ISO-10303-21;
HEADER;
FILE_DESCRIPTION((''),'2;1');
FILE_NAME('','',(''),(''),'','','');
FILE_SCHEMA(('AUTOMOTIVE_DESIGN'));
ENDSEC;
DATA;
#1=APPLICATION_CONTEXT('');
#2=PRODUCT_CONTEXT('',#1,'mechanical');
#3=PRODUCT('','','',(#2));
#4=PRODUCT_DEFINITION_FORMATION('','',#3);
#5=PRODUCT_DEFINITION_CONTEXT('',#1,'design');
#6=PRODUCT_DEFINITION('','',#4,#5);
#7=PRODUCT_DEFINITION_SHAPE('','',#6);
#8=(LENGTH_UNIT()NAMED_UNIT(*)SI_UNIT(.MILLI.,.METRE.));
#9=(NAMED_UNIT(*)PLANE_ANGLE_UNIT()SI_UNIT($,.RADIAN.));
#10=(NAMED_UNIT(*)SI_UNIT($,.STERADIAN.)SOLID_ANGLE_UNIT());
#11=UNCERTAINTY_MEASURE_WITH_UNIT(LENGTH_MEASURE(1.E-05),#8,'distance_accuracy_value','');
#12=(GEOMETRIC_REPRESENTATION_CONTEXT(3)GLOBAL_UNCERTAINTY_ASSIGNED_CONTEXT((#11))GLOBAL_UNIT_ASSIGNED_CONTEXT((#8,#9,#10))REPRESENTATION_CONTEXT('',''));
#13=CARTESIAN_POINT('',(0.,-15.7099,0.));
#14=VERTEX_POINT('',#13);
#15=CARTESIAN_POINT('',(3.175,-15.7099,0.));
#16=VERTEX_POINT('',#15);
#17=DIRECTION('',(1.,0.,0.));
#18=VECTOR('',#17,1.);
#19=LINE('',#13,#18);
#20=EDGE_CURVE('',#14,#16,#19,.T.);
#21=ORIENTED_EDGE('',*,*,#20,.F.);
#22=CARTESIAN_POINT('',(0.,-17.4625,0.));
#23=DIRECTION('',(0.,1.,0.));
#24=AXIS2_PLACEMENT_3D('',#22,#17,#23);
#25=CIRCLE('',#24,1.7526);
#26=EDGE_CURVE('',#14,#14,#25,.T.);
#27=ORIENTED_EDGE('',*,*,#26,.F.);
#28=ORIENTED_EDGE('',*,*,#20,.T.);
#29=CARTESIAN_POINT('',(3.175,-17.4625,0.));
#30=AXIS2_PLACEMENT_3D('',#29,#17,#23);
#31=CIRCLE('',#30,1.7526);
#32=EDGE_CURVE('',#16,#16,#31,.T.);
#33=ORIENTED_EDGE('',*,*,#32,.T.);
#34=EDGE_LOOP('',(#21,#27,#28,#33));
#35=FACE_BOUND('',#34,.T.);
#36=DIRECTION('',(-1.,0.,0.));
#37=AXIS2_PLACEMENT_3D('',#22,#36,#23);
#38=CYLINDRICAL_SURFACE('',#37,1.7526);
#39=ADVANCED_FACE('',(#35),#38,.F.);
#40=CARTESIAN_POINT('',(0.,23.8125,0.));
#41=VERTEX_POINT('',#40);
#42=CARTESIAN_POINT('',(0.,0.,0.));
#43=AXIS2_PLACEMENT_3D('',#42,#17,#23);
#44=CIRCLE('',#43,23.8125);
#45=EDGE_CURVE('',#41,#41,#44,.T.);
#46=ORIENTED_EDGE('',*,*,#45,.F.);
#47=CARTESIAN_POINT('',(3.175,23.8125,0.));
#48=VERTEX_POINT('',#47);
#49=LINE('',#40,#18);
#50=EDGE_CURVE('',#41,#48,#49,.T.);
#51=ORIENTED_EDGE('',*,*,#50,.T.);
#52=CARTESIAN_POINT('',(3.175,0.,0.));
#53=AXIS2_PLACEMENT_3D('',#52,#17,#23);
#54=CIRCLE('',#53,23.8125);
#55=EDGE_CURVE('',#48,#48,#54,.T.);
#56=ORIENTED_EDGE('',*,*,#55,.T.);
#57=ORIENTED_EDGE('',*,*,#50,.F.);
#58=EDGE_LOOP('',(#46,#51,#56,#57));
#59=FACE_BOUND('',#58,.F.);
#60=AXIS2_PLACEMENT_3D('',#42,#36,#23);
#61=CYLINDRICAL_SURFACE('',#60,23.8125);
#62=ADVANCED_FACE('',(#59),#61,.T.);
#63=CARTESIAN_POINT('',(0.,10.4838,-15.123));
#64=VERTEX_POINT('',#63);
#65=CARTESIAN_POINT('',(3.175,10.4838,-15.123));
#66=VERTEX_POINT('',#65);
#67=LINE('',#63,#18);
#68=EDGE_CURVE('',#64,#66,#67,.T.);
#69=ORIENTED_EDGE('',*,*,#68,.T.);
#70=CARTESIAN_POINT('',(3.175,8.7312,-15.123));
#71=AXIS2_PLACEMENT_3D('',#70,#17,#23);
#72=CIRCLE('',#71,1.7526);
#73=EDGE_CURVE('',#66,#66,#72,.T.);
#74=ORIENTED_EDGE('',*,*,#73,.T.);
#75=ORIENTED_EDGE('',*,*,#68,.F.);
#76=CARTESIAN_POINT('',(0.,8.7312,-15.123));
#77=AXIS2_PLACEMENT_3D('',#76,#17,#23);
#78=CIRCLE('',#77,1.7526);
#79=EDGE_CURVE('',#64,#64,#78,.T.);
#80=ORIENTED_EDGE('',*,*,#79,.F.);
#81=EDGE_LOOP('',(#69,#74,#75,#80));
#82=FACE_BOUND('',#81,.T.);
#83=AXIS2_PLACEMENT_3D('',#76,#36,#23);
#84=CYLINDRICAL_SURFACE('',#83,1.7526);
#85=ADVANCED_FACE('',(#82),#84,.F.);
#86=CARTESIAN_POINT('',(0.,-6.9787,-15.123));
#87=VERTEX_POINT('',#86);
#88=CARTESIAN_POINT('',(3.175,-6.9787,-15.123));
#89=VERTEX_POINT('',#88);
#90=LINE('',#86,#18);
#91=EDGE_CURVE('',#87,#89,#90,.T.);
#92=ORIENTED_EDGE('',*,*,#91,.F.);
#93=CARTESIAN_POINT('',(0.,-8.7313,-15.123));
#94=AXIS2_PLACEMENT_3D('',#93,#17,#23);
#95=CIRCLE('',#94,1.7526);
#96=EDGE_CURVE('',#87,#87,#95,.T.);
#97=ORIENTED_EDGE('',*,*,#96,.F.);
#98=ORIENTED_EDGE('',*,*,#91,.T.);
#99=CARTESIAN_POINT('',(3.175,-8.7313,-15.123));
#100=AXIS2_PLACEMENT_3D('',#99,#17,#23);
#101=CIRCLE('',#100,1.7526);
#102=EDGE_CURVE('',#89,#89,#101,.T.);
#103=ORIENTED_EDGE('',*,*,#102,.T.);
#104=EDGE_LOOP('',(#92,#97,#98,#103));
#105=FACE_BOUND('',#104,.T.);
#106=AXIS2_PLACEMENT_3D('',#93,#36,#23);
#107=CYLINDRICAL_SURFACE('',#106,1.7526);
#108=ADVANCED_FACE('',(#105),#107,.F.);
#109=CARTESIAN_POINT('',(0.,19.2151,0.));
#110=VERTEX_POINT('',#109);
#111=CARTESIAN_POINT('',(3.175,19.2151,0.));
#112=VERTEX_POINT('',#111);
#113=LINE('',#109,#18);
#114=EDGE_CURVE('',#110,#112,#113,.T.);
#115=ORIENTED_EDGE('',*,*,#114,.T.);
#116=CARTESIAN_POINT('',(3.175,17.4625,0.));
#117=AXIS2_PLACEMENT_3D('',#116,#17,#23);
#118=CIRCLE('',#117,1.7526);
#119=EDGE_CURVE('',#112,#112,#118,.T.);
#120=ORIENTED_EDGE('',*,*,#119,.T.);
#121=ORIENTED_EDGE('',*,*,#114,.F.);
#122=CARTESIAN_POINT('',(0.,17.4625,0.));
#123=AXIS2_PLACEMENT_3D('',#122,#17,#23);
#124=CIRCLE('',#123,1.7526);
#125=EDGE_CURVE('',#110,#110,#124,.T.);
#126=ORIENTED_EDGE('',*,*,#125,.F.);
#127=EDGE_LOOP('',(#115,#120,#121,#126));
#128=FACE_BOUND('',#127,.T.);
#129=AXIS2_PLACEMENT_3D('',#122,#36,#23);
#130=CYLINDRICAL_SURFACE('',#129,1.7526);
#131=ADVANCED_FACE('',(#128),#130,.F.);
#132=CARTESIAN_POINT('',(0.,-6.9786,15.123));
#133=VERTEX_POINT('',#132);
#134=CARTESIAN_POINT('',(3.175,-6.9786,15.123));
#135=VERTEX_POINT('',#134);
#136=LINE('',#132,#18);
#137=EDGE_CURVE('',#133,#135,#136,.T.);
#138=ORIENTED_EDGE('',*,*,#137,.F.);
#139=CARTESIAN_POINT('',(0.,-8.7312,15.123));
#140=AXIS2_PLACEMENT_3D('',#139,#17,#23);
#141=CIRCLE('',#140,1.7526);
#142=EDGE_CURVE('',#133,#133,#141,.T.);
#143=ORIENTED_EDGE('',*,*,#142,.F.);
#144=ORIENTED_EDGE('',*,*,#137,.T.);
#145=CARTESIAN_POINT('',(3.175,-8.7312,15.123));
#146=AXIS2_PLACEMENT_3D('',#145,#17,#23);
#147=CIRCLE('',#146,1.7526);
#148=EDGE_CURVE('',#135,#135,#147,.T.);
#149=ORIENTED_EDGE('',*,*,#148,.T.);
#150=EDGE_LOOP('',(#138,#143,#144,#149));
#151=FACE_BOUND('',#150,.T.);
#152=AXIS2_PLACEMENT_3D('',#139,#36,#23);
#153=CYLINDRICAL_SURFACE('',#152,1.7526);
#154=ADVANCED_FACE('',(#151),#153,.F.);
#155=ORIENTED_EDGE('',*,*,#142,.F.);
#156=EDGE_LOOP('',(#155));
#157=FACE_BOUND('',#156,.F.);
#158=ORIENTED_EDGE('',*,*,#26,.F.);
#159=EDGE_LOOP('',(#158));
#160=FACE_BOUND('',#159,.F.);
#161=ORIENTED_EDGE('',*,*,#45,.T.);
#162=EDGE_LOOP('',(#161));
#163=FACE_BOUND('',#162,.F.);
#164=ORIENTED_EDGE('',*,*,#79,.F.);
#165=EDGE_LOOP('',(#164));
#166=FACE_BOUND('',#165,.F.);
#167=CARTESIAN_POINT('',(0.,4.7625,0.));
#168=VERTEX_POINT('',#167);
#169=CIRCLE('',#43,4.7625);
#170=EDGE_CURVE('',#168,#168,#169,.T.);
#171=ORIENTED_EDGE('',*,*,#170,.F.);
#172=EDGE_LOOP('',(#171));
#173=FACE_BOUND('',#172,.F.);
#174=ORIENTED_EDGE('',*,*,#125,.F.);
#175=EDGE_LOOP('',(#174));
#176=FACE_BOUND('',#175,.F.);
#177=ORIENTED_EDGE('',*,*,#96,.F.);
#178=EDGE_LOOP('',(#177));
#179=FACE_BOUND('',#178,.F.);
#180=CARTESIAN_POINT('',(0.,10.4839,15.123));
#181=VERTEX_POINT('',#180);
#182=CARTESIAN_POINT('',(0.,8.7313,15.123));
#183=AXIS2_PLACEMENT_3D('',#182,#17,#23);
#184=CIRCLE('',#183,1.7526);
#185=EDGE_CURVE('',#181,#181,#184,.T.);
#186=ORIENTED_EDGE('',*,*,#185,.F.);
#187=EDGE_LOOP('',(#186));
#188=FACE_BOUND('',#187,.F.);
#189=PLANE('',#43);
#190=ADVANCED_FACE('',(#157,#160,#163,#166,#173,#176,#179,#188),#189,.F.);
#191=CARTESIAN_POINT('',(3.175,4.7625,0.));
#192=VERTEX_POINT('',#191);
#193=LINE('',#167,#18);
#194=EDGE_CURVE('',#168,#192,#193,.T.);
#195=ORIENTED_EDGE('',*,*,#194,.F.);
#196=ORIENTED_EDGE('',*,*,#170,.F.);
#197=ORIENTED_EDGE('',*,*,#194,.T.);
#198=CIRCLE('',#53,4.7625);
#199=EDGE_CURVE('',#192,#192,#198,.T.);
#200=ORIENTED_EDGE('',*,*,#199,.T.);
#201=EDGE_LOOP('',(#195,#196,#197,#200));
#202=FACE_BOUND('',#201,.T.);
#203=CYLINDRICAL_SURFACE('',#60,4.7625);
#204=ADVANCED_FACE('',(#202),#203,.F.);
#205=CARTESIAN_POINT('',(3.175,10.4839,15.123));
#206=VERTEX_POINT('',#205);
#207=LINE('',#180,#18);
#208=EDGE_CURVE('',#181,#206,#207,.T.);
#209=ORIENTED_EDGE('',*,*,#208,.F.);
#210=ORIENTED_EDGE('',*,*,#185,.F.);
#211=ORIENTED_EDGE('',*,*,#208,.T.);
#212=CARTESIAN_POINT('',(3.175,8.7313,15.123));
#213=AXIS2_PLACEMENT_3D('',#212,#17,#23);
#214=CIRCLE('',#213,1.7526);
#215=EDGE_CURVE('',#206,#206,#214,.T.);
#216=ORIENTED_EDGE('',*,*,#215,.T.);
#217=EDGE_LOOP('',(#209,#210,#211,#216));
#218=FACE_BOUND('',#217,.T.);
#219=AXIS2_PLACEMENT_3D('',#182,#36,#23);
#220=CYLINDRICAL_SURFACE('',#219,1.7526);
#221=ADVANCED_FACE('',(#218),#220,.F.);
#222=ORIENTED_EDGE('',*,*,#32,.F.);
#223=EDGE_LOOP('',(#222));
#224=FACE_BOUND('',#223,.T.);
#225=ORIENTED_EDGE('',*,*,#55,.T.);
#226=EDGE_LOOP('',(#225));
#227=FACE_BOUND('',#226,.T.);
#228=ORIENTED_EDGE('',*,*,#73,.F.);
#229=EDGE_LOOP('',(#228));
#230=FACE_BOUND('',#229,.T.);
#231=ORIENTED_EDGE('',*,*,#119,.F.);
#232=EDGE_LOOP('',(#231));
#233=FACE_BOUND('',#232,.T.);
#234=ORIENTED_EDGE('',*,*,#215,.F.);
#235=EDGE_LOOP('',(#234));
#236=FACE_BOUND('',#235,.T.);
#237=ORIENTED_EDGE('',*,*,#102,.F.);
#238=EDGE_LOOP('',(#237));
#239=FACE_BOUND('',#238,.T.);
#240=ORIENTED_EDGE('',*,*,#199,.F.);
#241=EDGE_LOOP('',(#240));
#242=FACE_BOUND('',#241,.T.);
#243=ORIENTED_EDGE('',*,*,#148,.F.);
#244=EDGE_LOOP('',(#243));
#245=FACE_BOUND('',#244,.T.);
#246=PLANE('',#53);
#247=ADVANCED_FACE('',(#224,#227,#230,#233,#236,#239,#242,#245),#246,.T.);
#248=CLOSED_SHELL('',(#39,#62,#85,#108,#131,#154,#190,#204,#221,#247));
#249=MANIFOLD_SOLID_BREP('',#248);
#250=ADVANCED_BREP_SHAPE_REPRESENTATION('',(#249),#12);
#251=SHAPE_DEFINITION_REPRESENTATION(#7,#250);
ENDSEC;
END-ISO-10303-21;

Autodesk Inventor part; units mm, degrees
ref_plane "YZ Plane" through (0, 0, 0) normal (1, 0, 0) x (0, 1, 0)
ref_plane "XZ Plane" through (0, 0, 0) normal (0, 1, 0) x (-1, 0, 0)
ref_plane "XY Plane" through (0, 0, 0) normal (0, 0, 1) x (1, 0, 0)
sketch "Sketch1" plane through (0, 0, 0) normal (1, 0, 0) x (0, 1, 0)
  circle A0 centre (0, 0) radius 23.8125
  circle A1 centre (0, 0) radius 17.4625 construction
  line L0 (0, 0) -> (23.8125, 0) construction
  circle A2 centre (17.4625, 0) radius 1.7526
  circle A3 centre (8.7313, 15.123) radius 1.7526
  circle A4 centre (-8.7312, 15.123) radius 1.7526
  circle A5 centre (-17.4625, 0) radius 1.7526
  circle A6 centre (-8.7313, -15.123) radius 1.7526
  circle A7 centre (8.7312, -15.123) radius 1.7526
  circle A8 centre (0, 0) radius 4.7625
  dimension "d0" = 47.625
  dimension "d1" = 34.925
  dimension "d2" = 3.5052
  dimension "d5" = 360
  dimension "d9" = 9.525
extrude "Extrusion1" add sketch "Sketch1" along normal blind 3.175
properties part number "Wheel Cover" material "UHMW, White"
